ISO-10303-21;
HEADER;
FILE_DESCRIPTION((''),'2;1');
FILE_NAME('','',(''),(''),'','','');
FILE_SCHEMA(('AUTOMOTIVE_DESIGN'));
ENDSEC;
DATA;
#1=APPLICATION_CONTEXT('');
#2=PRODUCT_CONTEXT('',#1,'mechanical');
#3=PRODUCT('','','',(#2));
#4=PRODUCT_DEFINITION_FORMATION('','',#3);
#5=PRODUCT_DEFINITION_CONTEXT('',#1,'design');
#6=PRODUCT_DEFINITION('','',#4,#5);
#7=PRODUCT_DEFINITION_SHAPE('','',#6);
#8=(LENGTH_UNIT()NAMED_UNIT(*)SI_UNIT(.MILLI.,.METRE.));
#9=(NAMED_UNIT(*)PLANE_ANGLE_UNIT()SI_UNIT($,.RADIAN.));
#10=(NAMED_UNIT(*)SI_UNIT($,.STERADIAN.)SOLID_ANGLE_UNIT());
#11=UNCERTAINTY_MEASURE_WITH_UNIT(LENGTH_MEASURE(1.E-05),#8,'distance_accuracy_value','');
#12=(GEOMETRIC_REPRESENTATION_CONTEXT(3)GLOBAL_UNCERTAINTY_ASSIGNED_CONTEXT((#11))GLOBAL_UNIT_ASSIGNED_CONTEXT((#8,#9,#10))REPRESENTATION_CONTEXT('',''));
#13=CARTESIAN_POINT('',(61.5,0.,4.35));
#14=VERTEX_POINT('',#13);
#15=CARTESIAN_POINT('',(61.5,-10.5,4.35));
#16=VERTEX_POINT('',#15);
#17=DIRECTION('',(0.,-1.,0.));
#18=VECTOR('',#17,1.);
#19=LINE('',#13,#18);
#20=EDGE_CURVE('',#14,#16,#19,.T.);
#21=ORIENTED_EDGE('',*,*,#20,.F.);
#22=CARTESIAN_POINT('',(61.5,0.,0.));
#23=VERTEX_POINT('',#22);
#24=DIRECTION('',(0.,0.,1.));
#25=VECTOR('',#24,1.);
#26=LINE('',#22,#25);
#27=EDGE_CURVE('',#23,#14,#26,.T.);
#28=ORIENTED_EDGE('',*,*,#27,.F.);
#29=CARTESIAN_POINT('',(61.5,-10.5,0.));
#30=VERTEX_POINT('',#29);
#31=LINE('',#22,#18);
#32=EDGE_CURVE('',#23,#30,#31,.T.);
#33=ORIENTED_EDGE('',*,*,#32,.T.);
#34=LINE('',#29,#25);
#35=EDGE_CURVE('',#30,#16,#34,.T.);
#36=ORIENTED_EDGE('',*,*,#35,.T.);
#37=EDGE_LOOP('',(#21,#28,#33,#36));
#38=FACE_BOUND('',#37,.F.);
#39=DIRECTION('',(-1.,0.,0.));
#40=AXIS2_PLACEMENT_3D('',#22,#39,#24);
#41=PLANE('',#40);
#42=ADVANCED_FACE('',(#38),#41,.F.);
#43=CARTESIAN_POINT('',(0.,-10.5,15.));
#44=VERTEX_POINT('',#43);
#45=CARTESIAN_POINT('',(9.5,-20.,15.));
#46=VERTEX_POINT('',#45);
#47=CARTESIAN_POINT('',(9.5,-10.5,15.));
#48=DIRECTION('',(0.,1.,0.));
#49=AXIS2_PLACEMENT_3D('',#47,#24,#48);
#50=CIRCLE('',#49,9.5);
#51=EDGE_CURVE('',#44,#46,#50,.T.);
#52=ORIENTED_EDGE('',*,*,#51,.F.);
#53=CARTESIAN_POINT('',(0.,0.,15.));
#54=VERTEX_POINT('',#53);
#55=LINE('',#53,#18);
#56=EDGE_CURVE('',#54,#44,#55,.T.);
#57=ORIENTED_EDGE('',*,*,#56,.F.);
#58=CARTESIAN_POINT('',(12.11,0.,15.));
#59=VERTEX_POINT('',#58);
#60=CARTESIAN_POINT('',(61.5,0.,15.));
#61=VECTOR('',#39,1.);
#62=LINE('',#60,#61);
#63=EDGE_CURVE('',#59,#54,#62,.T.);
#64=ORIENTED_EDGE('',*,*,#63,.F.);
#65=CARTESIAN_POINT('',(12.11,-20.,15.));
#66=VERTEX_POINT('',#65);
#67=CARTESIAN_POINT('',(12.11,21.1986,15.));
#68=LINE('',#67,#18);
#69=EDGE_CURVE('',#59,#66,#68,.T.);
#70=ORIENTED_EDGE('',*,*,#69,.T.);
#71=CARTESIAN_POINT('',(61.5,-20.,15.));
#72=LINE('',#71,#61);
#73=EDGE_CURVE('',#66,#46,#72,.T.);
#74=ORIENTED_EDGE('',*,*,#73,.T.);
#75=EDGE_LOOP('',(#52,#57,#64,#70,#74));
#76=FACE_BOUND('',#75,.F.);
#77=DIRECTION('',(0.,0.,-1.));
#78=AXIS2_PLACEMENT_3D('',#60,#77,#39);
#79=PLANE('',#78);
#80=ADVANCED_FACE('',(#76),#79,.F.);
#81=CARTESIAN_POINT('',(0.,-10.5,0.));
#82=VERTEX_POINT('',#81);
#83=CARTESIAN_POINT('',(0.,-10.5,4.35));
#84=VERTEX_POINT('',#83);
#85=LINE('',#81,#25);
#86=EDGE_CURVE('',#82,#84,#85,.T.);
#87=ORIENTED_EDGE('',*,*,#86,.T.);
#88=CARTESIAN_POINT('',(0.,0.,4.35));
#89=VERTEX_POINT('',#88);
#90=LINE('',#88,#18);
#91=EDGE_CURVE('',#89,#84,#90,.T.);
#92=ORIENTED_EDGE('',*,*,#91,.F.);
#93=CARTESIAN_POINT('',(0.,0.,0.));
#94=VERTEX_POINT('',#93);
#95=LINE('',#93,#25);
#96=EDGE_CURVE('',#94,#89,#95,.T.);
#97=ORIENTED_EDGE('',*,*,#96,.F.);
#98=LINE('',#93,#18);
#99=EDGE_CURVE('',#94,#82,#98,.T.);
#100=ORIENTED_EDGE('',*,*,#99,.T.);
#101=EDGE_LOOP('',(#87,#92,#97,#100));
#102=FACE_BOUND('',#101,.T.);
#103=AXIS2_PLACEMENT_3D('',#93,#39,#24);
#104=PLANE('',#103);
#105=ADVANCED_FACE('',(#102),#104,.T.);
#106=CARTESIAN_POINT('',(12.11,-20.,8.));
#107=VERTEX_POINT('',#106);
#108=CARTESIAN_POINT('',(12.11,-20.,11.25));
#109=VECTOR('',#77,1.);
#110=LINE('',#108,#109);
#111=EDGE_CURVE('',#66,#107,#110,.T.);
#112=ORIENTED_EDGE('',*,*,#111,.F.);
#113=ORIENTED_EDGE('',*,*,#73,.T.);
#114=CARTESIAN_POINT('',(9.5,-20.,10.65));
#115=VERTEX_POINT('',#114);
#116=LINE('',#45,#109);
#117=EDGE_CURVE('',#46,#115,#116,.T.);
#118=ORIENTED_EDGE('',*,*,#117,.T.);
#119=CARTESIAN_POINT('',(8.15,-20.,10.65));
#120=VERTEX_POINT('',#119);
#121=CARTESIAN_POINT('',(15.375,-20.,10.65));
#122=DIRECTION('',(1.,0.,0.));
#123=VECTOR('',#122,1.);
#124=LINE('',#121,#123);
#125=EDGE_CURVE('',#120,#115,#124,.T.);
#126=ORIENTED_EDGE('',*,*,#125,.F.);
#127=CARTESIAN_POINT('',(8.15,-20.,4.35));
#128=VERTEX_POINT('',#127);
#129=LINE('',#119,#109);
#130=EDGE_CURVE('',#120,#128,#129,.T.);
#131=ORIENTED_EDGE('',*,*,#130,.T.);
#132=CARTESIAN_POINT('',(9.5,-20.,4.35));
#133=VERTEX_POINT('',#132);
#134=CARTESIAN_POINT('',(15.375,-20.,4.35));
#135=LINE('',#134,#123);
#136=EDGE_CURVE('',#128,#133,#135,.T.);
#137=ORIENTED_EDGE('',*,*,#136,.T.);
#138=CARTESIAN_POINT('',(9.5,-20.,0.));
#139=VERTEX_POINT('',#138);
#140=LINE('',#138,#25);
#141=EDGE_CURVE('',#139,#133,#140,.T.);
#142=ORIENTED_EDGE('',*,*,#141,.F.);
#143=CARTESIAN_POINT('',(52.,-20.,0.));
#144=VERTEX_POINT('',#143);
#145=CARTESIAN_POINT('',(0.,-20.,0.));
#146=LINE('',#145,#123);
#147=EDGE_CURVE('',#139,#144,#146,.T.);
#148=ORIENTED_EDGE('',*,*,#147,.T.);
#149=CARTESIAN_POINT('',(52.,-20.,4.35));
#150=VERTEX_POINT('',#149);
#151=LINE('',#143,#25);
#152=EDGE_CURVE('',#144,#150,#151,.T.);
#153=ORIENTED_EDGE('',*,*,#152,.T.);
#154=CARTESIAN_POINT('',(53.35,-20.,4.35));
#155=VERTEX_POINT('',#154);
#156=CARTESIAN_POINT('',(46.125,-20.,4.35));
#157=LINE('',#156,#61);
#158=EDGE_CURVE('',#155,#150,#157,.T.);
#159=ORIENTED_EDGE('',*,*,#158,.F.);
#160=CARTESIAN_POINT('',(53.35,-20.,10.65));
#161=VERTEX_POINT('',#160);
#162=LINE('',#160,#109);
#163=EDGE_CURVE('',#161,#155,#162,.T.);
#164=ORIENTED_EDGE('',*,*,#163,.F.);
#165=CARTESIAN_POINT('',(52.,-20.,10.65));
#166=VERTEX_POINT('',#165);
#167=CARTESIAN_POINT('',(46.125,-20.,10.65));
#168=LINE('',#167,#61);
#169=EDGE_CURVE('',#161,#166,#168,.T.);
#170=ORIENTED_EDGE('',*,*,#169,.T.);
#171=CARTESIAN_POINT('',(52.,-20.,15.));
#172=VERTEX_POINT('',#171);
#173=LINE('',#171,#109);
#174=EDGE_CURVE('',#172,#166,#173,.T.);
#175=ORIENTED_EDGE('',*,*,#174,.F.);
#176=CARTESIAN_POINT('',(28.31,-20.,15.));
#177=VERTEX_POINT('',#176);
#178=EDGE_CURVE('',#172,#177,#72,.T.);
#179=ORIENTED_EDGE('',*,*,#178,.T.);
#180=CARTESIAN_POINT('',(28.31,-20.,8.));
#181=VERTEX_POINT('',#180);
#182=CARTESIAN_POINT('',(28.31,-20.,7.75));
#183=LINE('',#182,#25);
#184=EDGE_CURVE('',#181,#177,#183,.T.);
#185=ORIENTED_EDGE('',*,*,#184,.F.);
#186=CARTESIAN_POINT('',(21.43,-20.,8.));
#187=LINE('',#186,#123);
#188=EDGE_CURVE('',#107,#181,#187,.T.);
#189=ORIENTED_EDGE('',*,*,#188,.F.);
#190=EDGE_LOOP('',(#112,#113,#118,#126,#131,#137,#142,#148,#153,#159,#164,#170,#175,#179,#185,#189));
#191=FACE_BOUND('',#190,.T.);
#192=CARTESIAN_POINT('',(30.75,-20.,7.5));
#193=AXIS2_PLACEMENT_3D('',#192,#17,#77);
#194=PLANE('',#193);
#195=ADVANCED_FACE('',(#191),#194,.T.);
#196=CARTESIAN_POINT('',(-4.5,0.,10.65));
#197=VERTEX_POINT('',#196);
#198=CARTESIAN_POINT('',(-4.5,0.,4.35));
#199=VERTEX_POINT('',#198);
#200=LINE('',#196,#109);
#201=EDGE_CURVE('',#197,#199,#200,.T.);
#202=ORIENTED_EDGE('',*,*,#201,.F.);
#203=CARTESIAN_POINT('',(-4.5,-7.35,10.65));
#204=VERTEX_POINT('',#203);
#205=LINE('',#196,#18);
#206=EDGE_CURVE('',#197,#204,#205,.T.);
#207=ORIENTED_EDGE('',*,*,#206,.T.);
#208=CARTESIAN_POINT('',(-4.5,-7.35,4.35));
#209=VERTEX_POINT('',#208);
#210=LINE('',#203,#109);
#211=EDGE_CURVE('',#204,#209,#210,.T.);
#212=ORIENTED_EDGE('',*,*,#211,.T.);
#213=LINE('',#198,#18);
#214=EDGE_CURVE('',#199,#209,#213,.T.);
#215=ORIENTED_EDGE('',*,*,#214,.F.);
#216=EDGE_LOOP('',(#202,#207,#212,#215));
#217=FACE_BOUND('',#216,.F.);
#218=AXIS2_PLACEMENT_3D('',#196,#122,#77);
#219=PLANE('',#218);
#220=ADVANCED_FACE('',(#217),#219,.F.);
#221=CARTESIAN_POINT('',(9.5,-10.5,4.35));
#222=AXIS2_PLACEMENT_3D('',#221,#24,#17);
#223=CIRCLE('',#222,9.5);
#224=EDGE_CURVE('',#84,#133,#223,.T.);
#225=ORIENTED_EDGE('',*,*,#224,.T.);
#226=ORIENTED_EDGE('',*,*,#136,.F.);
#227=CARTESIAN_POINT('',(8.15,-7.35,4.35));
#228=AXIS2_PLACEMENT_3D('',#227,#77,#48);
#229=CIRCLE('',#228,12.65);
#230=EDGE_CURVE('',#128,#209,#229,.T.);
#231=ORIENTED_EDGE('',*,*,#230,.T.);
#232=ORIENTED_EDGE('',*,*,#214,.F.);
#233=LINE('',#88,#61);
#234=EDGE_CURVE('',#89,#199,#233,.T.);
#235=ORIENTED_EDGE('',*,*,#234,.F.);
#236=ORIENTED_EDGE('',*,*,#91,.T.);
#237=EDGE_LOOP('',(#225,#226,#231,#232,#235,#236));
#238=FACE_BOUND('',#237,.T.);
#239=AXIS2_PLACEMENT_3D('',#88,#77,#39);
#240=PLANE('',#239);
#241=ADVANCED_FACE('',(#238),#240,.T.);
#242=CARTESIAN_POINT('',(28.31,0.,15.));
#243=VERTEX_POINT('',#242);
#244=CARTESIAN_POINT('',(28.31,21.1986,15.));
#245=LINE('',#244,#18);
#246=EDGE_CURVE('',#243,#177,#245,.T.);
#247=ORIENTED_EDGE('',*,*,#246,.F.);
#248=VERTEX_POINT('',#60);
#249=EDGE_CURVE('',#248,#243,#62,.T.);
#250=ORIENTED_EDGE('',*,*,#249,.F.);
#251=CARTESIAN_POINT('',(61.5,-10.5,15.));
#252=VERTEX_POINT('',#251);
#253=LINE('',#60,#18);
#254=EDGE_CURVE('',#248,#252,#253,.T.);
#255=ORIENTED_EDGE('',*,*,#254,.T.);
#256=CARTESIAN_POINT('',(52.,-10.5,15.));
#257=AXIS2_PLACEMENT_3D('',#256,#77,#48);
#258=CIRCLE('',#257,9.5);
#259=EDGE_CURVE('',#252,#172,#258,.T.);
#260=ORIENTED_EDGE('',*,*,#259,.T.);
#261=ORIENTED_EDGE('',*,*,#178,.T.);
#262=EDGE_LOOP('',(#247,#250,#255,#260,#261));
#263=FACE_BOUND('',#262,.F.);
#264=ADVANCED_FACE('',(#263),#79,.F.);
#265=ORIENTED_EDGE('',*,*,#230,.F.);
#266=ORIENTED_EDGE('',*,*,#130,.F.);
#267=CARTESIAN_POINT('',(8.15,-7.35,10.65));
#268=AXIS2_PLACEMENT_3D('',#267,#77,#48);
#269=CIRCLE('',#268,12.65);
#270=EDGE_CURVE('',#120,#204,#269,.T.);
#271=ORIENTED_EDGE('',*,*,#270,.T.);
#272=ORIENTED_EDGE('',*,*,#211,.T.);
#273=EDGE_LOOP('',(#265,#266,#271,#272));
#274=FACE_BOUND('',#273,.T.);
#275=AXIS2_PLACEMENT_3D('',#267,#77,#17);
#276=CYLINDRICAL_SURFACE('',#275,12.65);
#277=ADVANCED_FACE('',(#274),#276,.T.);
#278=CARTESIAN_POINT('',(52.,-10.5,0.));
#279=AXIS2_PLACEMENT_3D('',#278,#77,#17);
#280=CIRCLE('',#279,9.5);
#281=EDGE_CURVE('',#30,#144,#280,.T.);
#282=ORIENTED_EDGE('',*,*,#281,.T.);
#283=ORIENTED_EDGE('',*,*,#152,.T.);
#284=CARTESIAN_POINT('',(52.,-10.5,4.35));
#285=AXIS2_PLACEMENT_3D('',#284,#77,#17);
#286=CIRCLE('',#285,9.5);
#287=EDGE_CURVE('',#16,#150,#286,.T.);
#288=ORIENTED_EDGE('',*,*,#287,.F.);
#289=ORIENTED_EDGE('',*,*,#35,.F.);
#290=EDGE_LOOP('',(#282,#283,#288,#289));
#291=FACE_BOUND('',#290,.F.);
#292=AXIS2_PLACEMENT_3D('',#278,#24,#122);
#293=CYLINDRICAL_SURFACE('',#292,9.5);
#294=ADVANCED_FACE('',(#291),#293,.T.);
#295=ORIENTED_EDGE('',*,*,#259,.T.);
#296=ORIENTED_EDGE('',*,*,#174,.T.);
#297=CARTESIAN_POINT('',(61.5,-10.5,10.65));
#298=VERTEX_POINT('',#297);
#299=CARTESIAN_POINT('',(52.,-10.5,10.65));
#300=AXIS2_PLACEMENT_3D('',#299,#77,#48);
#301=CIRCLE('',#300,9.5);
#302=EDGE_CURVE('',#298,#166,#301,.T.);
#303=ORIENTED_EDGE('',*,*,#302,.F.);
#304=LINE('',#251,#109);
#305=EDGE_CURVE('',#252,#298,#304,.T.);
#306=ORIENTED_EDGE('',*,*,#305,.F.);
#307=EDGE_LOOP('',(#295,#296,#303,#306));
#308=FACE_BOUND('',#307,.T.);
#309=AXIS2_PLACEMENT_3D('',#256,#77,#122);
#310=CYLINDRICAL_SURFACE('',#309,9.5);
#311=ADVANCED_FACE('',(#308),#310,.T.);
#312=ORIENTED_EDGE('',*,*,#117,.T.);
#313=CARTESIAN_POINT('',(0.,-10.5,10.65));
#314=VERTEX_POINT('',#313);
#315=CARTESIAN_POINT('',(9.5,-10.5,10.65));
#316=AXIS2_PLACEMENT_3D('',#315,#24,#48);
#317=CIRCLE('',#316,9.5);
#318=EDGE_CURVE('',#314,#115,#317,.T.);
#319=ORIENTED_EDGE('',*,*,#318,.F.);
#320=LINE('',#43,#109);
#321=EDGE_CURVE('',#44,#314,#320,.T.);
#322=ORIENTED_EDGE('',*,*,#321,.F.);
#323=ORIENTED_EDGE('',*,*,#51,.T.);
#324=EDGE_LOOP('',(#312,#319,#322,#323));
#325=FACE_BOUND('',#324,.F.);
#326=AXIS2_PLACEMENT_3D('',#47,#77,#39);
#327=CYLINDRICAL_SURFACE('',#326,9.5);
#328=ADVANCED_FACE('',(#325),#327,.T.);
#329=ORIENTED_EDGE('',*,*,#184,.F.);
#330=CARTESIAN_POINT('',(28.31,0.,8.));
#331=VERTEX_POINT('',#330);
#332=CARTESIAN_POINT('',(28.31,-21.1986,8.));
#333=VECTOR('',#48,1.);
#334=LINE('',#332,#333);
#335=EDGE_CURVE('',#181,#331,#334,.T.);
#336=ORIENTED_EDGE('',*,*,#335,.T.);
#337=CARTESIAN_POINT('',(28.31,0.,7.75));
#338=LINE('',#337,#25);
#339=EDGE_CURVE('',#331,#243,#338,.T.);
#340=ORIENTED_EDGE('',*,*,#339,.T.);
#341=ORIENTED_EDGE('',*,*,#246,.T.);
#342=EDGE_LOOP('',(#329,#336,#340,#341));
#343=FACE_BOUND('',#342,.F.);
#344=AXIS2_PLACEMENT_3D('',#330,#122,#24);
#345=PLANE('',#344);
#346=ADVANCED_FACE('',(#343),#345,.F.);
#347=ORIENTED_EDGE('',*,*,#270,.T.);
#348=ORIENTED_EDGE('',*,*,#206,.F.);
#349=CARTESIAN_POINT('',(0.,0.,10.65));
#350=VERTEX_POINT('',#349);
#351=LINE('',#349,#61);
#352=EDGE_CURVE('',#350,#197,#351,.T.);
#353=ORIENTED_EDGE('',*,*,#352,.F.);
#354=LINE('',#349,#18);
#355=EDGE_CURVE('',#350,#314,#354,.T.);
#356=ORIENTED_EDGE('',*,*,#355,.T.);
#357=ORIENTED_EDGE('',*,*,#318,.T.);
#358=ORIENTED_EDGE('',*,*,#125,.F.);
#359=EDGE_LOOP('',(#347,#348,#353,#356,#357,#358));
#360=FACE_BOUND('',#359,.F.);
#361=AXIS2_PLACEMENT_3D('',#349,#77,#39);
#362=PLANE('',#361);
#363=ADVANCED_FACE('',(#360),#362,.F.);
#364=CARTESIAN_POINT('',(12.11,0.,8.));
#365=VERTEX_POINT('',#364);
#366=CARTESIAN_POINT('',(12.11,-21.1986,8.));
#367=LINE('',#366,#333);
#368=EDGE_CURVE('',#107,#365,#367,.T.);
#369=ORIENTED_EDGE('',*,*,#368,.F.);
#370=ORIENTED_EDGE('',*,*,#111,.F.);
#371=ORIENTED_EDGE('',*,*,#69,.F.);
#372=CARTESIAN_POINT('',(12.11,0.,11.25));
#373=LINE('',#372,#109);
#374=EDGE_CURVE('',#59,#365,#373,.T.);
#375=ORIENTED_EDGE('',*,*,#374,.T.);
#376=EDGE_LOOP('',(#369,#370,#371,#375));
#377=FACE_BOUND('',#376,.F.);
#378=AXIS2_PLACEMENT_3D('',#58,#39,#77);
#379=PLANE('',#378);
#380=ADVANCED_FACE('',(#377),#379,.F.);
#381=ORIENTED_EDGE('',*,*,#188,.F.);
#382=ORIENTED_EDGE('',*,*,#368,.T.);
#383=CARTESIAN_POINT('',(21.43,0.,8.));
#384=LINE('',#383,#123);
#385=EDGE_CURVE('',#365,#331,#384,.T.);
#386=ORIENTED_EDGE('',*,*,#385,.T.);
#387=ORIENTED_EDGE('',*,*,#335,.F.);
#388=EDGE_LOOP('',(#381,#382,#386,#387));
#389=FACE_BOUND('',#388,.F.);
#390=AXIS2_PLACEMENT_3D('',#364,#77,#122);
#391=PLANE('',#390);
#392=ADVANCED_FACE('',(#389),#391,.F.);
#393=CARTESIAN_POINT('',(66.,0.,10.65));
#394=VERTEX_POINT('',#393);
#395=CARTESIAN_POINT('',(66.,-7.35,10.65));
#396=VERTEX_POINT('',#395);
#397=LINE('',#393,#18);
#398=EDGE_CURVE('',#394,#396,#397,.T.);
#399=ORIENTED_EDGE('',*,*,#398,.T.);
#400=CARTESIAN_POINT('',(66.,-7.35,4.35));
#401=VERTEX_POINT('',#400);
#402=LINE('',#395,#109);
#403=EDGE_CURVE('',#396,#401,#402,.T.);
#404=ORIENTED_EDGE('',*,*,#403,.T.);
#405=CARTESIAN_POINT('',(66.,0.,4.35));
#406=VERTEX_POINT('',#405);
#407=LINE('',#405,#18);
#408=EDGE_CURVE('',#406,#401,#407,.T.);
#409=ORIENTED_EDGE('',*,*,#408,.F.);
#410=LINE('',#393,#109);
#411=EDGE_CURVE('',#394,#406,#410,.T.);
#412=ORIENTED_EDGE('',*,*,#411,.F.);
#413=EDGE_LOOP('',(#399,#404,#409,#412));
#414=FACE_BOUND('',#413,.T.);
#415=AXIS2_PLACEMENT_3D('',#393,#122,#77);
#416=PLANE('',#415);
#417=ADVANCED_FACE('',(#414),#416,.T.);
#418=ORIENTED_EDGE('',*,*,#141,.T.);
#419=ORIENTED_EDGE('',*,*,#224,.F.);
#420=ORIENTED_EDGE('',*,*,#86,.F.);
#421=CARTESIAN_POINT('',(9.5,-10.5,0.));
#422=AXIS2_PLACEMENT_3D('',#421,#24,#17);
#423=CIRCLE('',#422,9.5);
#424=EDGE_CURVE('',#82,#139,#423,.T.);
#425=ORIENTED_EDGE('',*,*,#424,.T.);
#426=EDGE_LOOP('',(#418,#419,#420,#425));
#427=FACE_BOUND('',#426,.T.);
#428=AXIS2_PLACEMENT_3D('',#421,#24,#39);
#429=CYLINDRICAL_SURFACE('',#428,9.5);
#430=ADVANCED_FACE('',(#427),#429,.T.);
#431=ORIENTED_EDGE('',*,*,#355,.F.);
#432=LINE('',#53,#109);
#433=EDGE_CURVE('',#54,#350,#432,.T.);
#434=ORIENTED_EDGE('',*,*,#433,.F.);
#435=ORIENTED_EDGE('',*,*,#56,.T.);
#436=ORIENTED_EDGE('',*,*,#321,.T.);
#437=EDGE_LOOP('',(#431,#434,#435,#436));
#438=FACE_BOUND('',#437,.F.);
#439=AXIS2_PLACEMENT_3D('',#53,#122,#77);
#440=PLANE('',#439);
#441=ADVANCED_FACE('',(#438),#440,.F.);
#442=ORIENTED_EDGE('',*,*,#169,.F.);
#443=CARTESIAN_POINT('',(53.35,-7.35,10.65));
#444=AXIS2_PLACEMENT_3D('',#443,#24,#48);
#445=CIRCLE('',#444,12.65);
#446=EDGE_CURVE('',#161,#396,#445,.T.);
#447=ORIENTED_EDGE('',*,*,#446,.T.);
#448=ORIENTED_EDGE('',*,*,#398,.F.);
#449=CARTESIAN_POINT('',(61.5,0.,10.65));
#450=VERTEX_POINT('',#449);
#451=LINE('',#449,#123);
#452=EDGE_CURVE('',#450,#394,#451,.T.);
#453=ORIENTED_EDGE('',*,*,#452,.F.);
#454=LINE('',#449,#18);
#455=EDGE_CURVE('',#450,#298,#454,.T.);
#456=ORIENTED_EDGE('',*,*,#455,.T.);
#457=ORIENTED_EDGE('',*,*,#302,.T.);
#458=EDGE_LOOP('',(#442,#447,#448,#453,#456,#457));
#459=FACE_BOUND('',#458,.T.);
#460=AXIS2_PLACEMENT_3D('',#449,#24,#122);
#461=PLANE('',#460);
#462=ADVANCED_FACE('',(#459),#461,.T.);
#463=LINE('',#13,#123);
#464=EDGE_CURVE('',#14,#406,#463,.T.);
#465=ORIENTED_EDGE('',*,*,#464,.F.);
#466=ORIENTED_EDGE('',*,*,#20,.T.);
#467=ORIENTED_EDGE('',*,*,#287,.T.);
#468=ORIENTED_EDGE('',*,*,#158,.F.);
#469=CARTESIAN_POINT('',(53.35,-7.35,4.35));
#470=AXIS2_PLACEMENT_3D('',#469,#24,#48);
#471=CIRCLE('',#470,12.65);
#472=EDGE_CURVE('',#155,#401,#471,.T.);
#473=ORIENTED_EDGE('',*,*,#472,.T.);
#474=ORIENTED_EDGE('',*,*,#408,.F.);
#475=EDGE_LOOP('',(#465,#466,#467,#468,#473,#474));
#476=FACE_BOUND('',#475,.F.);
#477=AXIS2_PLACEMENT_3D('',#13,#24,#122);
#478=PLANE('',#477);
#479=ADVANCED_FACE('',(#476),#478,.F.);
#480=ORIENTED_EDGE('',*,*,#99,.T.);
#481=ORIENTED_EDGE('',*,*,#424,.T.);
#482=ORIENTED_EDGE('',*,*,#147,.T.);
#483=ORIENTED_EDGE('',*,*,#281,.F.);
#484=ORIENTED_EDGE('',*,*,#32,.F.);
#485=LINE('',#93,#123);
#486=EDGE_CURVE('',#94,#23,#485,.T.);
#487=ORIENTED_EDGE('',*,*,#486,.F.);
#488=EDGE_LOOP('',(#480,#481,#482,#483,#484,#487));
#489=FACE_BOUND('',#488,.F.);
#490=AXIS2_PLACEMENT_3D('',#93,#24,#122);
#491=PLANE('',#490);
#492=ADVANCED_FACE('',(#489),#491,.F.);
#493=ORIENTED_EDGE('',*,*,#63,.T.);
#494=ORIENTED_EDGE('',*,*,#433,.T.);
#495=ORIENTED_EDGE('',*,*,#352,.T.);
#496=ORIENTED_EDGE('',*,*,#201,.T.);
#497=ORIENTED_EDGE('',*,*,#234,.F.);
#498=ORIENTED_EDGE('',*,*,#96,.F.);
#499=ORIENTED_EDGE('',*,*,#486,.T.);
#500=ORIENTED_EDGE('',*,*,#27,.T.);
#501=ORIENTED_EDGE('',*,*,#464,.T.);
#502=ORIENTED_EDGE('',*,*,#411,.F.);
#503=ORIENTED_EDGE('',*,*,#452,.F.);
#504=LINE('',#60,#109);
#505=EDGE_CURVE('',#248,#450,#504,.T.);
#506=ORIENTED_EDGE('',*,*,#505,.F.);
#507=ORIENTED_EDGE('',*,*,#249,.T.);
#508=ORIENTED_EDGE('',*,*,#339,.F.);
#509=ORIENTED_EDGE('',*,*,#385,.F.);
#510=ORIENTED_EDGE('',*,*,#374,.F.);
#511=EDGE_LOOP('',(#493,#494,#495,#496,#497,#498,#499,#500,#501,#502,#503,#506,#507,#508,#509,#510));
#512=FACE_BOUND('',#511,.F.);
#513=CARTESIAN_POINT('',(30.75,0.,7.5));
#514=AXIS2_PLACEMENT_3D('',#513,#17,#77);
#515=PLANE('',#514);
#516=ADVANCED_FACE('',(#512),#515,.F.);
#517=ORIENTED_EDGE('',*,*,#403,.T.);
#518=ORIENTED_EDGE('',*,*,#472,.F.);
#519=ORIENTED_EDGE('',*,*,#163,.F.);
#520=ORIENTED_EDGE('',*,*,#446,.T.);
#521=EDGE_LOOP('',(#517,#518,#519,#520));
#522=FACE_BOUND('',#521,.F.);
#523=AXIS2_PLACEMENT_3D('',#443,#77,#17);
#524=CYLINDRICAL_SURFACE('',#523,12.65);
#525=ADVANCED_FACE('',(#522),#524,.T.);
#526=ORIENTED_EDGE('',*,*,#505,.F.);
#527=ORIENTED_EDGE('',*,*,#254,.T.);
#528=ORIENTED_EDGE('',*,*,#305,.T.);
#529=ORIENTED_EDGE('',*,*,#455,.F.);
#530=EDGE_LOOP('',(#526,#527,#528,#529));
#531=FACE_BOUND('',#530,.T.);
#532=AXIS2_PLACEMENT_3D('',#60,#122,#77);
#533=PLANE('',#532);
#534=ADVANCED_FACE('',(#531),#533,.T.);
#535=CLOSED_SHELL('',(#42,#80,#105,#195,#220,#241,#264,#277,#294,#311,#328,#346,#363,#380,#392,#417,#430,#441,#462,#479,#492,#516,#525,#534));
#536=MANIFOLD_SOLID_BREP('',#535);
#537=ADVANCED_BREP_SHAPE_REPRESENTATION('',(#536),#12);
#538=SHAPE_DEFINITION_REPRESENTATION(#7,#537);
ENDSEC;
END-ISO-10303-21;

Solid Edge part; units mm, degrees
sketch "Sketch1" plane through (0, 0, 0) normal (0, -1, 0) x (1, 0, 0)
  line L0 (61.5, 15) -> (0, 15)
  line L1 (0, 15) -> (0, 10.65)
  line L2 (0, 10.65) -> (-4.5, 10.65)
  line L3 (-4.5, 10.65) -> (-4.5, 4.35)
  line L4 (0, 4.35) -> (-4.5, 4.35)
  line L5 (0, 0) -> (0, 4.35)
  line L6 (0, 0) -> (61.5, 0)
  line L7 (61.5, 0) -> (61.5, 4.35)
  line L8 (61.5, 4.35) -> (66, 4.35)
  line L9 (66, 10.65) -> (66, 4.35)
  line L10 (61.5, 10.65) -> (66, 10.65)
  line L11 (61.5, 15) -> (61.5, 10.65)
extrude "Protrusion1" add sketch "Sketch1" along normal blind 20
fillet "Round_2" radius 9.5 4 edges at (0, -20, 12.825) (0, -20, 2.175) (61.5, -20, 2.175) (61.5, -20, 12.825)
fillet "Round1" radius 12.65 2 edges at (-4.5, -20, 7.5) (66, -20, 7.5)
sketch "Sketch2" plane through (30.75, 0, 7.5) normal (0, 1, 0) x (1, 0, 0)
  line L0 (-2.44, -0.5) -> (-2.44, -7.5)
  line L1 (-2.59, -7.5) -> (-2.44, -7.5)
  line L2 (-18.49, -7.5) -> (-2.59, -7.5)
  line L3 (-18.64, -7.5) -> (-18.49, -7.5)
  line L4 (-18.64, -7.5) -> (-18.64, -0.5)
  line L5 (-18.64, -0.5) -> (-2.44, -0.5)
extrude "ExtrudedCutout_1" cut sketch "Sketch2" along normal mid plane 42.3972
